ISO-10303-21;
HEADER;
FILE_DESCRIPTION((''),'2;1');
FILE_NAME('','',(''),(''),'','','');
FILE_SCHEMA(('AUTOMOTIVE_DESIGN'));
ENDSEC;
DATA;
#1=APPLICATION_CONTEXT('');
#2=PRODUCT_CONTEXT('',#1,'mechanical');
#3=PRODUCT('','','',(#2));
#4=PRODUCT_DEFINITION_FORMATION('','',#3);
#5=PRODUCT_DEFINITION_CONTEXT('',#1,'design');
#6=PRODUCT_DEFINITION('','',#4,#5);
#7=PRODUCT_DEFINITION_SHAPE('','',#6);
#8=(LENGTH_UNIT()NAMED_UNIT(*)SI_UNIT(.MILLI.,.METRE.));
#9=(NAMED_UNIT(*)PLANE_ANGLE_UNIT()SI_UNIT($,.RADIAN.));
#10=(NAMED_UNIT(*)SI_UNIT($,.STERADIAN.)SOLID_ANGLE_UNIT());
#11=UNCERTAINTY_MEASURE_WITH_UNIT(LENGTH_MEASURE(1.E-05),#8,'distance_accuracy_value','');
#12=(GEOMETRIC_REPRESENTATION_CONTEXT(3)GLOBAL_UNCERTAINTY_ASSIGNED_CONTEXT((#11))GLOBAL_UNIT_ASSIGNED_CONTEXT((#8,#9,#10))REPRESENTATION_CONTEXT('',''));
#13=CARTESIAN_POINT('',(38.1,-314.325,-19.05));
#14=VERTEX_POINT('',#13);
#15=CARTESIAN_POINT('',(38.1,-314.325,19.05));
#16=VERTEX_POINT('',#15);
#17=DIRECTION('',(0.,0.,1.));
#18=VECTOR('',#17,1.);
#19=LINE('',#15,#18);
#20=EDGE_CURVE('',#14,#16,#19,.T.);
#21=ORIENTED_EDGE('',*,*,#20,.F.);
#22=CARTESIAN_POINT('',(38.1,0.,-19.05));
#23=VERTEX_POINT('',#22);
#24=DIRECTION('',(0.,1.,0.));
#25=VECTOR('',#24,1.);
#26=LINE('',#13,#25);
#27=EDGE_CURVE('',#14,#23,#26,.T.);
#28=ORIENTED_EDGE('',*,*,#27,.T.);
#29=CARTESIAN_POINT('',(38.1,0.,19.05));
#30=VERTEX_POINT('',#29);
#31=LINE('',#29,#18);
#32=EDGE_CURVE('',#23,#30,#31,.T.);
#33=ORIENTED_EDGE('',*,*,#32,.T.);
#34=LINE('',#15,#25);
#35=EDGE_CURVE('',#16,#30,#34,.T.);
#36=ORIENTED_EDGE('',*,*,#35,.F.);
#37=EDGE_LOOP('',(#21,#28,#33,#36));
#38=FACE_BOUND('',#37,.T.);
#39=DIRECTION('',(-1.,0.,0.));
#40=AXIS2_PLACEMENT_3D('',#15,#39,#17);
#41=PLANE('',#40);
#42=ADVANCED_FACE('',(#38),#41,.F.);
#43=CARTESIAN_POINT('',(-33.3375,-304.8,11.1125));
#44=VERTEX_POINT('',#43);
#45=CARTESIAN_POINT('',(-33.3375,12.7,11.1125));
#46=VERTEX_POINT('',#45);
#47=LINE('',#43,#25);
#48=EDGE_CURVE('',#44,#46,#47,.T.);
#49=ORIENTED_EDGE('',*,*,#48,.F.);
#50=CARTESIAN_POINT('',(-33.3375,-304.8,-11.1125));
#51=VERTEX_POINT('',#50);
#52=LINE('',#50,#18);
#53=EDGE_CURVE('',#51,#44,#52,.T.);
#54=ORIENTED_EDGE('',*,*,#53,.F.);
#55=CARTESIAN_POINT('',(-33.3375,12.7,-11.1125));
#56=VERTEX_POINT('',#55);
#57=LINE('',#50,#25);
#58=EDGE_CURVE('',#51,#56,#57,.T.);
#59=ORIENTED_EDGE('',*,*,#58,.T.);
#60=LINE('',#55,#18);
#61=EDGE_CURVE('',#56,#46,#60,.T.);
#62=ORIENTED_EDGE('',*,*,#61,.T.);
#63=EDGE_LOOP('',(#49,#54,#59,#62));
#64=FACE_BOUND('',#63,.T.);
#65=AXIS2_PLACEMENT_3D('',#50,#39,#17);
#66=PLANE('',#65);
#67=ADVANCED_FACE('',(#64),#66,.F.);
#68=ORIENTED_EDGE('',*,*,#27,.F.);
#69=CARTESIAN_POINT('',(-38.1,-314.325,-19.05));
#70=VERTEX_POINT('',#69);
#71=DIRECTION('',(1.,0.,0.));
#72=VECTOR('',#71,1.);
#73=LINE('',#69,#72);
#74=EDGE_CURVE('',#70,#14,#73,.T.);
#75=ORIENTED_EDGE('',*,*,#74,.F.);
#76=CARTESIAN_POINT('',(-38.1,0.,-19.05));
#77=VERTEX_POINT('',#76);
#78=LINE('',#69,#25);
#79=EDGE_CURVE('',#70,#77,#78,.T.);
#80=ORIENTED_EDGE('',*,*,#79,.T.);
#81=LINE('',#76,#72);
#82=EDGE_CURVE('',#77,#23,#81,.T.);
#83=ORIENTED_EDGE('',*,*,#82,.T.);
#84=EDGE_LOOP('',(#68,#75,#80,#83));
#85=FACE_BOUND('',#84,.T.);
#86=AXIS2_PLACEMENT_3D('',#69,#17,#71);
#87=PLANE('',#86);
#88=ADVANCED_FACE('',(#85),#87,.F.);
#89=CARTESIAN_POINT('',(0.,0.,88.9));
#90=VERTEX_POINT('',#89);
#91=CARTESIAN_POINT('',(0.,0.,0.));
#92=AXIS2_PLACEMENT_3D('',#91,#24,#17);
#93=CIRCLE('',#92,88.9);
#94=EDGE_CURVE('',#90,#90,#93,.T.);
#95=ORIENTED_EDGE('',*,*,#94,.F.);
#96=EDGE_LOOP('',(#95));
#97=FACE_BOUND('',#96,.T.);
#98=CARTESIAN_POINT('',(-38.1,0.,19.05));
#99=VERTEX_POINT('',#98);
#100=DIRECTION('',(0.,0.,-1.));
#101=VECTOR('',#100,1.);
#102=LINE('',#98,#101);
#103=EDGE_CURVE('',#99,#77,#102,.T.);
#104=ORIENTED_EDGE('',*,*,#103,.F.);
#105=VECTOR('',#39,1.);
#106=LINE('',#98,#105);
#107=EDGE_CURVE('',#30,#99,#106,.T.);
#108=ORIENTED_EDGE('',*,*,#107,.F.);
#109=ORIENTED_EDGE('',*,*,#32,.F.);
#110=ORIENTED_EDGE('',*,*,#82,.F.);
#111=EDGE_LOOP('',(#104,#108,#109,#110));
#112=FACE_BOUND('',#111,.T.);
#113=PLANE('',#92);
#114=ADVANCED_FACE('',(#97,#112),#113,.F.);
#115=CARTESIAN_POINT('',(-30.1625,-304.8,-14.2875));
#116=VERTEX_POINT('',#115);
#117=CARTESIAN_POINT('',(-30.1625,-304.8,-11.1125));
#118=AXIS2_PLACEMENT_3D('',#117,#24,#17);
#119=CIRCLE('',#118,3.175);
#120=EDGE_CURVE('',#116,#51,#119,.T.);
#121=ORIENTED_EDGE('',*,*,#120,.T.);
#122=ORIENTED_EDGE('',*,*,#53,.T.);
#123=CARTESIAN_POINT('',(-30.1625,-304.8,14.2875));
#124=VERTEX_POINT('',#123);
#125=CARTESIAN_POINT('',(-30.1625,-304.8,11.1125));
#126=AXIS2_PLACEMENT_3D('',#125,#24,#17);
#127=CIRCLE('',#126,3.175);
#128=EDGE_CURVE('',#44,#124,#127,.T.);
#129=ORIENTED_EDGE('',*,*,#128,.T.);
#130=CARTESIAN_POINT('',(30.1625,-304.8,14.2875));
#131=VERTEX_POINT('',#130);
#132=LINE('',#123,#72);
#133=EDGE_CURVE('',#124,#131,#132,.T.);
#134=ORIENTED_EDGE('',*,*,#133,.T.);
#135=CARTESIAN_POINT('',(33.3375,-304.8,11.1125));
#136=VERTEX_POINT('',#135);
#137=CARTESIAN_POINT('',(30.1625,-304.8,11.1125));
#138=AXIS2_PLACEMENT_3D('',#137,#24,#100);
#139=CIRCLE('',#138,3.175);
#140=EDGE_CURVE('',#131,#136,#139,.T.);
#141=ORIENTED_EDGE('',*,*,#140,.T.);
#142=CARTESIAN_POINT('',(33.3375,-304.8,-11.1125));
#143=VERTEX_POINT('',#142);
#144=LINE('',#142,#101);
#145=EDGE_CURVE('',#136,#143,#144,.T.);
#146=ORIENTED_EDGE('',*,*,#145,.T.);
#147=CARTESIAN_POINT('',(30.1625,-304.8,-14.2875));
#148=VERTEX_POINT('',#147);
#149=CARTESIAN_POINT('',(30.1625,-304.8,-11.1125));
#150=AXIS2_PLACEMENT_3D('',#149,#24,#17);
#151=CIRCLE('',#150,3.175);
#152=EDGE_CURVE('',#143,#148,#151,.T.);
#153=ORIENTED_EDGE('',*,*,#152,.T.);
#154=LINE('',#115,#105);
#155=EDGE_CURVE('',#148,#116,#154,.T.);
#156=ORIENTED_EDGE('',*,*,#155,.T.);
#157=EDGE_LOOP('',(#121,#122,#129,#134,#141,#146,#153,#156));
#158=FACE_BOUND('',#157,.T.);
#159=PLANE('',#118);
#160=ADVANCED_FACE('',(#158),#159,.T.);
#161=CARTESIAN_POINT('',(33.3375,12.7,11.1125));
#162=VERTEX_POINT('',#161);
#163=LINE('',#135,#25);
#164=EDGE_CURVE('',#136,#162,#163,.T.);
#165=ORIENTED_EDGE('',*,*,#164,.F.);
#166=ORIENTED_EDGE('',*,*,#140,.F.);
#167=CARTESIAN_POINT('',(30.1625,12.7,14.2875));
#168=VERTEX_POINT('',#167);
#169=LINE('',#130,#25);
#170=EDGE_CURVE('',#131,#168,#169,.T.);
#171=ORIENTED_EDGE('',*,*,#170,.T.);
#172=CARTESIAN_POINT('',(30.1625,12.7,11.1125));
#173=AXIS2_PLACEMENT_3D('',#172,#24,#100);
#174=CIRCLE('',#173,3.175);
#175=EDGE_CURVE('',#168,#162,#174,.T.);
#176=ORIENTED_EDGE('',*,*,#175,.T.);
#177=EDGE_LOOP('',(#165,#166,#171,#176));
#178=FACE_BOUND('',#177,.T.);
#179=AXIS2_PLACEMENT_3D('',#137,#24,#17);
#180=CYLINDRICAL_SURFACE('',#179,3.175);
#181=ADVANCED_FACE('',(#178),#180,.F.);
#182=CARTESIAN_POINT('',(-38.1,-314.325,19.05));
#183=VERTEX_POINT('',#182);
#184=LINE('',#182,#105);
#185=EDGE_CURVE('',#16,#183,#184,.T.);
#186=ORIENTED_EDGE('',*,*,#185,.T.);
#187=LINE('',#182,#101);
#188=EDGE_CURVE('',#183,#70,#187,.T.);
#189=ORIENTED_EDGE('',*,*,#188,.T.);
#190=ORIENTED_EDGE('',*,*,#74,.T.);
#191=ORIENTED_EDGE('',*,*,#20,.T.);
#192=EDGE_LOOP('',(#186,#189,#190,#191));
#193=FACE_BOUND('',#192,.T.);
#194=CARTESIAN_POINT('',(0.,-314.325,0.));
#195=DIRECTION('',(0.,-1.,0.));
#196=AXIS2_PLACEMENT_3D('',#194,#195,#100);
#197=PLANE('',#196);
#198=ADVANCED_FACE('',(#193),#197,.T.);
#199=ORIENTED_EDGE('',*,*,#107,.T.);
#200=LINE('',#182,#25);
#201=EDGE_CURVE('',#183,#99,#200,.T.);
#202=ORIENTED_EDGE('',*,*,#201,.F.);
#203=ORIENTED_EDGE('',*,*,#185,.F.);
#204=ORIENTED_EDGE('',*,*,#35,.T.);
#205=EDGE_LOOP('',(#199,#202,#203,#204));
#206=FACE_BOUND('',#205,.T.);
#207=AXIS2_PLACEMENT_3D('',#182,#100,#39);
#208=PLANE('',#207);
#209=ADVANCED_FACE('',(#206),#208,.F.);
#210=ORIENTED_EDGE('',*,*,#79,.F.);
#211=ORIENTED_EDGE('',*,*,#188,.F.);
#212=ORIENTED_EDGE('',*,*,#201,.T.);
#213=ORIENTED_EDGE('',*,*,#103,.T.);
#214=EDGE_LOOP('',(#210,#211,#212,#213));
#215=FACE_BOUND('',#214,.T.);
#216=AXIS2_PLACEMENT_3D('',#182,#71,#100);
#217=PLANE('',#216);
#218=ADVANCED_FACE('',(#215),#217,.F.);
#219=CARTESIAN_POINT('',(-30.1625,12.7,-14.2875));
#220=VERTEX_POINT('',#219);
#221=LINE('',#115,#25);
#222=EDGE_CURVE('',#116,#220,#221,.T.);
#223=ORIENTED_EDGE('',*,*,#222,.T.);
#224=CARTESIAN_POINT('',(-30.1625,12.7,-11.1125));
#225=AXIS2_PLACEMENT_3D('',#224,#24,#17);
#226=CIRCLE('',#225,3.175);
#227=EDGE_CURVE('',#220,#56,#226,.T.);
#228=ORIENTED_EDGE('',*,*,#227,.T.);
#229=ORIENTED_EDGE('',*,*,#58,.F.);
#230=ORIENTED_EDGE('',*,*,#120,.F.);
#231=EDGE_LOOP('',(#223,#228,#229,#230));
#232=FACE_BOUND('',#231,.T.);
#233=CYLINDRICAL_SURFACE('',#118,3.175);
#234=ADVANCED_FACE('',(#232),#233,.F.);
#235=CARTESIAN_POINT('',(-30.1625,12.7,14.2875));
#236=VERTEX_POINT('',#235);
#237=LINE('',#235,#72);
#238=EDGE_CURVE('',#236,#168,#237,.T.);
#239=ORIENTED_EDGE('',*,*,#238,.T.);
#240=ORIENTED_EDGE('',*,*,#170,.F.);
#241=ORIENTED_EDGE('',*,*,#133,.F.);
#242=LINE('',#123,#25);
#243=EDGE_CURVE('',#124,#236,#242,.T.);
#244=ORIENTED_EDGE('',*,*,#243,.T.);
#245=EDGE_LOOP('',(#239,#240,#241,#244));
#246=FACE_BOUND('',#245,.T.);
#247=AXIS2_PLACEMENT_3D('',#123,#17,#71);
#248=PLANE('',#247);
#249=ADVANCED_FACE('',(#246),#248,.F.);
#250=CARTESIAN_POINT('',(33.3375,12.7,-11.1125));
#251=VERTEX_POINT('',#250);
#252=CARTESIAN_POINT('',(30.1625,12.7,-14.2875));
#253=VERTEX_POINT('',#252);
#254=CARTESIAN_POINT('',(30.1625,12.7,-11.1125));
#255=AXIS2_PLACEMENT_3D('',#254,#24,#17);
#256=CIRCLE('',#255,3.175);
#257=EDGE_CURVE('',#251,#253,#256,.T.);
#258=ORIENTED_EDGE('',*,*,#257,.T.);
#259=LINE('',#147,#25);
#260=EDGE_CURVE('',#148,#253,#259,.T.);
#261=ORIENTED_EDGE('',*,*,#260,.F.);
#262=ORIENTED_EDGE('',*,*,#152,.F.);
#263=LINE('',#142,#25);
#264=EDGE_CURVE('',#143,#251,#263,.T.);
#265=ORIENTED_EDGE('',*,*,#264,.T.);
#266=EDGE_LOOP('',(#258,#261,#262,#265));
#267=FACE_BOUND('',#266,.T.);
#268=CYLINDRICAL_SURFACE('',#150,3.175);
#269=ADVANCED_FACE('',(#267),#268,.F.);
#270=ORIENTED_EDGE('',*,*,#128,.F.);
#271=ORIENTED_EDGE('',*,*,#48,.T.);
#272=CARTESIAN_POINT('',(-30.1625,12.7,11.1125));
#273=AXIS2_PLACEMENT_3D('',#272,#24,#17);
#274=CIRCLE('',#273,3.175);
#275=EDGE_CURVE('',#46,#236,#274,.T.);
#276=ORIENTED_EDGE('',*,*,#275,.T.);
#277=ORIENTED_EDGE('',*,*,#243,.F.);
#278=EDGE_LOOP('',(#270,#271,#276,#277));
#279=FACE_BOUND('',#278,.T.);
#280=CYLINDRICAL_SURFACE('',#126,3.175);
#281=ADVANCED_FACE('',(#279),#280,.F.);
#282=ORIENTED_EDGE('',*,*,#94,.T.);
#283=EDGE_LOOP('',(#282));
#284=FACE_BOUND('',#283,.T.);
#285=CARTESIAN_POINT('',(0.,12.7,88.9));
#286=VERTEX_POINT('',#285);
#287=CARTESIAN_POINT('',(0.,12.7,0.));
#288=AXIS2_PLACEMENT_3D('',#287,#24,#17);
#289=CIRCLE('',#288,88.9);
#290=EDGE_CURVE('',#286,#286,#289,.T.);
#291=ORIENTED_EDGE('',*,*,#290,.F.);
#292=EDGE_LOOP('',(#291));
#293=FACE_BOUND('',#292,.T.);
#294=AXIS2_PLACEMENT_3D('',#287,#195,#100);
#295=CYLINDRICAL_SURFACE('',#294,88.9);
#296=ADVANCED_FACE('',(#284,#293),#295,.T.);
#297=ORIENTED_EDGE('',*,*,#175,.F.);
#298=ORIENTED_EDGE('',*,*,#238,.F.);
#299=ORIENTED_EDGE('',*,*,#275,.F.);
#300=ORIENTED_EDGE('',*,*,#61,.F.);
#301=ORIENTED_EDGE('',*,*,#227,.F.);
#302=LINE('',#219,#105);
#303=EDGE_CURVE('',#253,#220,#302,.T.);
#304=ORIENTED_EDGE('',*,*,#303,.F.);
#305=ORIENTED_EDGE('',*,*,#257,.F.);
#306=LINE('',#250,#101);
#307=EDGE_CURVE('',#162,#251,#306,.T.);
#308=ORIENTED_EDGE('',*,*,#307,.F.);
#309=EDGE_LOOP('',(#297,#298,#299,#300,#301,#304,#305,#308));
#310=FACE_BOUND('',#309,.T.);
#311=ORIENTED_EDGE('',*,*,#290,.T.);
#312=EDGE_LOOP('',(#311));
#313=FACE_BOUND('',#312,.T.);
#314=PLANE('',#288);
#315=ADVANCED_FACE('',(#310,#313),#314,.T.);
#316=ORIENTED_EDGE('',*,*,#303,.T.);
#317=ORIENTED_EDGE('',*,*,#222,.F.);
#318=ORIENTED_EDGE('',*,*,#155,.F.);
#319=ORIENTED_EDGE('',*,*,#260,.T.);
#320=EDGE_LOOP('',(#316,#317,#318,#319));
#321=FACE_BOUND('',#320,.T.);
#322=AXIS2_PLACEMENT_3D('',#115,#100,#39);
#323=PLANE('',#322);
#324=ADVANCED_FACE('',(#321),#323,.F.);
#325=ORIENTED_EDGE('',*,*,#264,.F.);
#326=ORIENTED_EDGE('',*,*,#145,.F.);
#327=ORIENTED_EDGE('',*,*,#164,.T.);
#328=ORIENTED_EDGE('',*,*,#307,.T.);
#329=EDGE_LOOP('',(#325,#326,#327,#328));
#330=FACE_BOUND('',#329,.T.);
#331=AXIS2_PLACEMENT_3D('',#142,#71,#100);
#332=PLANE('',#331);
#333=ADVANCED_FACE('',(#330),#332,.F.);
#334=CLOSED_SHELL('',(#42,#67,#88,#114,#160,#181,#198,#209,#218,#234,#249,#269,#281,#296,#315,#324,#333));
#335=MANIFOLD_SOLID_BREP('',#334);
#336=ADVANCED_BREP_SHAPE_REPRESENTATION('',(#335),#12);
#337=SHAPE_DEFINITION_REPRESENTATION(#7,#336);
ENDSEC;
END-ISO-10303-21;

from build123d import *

# Parameters (mm, degrees)
SKETCH1_R           = 88.9
BOSS_EXTRUDE1_DEPTH = 12.7
SKETCH2_W           = 76.2
SKETCH2_H           = 38.1
BOSS_EXTRUDE2_DEPTH = 314.325
CUT_EXTRUDE1_DEPTH  = 317.5


with BuildPart() as part:
    # Sketch1 → Boss-Extrude1 (new body)
    with BuildSketch(Plane(origin=(0, 0, 0), x_dir=(1, 0, 0), z_dir=(0, 1, 0))):
        with Locations(Location((0, 0, 0), (0, 0, 270))):
            Circle(SKETCH1_R)
    extrude(amount=BOSS_EXTRUDE1_DEPTH)

    # Sketch2 → Boss-Extrude2 (add)
    with BuildSketch(Plane.XZ):
        Rectangle(SKETCH2_W, SKETCH2_H)
    extrude(amount=BOSS_EXTRUDE2_DEPTH)

    # Sketch3 → Cut-Extrude1 (cut)
    with BuildSketch(Plane(origin=(0, 12.7, 0), x_dir=(1, 0, 0), z_dir=(0, 1, 0))):
        with BuildLine():
            Line((-30.1625, 14.2875), (30.1625, 14.2875))
            ThreePointArc((30.1625, 14.2875), (32.40756403, 13.35756403), (33.3375, 11.1125))
            Line((33.3375, 11.1125), (33.3375, -11.1125))
            ThreePointArc((33.3375, -11.1125), (32.40756403, -13.35756403), (30.1625, -14.2875))
            Line((30.1625, -14.2875), (-30.1625, -14.2875))
            ThreePointArc((-30.1625, -14.2875), (-32.40756403, -13.35756403), (-33.3375, -11.1125))
            Line((-33.3375, -11.1125), (-33.3375, 11.1125))
            ThreePointArc((-33.3375, 11.1125), (-32.40756403, 13.35756403), (-30.1625, 14.2875))
        make_face()
    extrude(amount=-CUT_EXTRUDE1_DEPTH, mode=Mode.SUBTRACT)


solid = part.part
